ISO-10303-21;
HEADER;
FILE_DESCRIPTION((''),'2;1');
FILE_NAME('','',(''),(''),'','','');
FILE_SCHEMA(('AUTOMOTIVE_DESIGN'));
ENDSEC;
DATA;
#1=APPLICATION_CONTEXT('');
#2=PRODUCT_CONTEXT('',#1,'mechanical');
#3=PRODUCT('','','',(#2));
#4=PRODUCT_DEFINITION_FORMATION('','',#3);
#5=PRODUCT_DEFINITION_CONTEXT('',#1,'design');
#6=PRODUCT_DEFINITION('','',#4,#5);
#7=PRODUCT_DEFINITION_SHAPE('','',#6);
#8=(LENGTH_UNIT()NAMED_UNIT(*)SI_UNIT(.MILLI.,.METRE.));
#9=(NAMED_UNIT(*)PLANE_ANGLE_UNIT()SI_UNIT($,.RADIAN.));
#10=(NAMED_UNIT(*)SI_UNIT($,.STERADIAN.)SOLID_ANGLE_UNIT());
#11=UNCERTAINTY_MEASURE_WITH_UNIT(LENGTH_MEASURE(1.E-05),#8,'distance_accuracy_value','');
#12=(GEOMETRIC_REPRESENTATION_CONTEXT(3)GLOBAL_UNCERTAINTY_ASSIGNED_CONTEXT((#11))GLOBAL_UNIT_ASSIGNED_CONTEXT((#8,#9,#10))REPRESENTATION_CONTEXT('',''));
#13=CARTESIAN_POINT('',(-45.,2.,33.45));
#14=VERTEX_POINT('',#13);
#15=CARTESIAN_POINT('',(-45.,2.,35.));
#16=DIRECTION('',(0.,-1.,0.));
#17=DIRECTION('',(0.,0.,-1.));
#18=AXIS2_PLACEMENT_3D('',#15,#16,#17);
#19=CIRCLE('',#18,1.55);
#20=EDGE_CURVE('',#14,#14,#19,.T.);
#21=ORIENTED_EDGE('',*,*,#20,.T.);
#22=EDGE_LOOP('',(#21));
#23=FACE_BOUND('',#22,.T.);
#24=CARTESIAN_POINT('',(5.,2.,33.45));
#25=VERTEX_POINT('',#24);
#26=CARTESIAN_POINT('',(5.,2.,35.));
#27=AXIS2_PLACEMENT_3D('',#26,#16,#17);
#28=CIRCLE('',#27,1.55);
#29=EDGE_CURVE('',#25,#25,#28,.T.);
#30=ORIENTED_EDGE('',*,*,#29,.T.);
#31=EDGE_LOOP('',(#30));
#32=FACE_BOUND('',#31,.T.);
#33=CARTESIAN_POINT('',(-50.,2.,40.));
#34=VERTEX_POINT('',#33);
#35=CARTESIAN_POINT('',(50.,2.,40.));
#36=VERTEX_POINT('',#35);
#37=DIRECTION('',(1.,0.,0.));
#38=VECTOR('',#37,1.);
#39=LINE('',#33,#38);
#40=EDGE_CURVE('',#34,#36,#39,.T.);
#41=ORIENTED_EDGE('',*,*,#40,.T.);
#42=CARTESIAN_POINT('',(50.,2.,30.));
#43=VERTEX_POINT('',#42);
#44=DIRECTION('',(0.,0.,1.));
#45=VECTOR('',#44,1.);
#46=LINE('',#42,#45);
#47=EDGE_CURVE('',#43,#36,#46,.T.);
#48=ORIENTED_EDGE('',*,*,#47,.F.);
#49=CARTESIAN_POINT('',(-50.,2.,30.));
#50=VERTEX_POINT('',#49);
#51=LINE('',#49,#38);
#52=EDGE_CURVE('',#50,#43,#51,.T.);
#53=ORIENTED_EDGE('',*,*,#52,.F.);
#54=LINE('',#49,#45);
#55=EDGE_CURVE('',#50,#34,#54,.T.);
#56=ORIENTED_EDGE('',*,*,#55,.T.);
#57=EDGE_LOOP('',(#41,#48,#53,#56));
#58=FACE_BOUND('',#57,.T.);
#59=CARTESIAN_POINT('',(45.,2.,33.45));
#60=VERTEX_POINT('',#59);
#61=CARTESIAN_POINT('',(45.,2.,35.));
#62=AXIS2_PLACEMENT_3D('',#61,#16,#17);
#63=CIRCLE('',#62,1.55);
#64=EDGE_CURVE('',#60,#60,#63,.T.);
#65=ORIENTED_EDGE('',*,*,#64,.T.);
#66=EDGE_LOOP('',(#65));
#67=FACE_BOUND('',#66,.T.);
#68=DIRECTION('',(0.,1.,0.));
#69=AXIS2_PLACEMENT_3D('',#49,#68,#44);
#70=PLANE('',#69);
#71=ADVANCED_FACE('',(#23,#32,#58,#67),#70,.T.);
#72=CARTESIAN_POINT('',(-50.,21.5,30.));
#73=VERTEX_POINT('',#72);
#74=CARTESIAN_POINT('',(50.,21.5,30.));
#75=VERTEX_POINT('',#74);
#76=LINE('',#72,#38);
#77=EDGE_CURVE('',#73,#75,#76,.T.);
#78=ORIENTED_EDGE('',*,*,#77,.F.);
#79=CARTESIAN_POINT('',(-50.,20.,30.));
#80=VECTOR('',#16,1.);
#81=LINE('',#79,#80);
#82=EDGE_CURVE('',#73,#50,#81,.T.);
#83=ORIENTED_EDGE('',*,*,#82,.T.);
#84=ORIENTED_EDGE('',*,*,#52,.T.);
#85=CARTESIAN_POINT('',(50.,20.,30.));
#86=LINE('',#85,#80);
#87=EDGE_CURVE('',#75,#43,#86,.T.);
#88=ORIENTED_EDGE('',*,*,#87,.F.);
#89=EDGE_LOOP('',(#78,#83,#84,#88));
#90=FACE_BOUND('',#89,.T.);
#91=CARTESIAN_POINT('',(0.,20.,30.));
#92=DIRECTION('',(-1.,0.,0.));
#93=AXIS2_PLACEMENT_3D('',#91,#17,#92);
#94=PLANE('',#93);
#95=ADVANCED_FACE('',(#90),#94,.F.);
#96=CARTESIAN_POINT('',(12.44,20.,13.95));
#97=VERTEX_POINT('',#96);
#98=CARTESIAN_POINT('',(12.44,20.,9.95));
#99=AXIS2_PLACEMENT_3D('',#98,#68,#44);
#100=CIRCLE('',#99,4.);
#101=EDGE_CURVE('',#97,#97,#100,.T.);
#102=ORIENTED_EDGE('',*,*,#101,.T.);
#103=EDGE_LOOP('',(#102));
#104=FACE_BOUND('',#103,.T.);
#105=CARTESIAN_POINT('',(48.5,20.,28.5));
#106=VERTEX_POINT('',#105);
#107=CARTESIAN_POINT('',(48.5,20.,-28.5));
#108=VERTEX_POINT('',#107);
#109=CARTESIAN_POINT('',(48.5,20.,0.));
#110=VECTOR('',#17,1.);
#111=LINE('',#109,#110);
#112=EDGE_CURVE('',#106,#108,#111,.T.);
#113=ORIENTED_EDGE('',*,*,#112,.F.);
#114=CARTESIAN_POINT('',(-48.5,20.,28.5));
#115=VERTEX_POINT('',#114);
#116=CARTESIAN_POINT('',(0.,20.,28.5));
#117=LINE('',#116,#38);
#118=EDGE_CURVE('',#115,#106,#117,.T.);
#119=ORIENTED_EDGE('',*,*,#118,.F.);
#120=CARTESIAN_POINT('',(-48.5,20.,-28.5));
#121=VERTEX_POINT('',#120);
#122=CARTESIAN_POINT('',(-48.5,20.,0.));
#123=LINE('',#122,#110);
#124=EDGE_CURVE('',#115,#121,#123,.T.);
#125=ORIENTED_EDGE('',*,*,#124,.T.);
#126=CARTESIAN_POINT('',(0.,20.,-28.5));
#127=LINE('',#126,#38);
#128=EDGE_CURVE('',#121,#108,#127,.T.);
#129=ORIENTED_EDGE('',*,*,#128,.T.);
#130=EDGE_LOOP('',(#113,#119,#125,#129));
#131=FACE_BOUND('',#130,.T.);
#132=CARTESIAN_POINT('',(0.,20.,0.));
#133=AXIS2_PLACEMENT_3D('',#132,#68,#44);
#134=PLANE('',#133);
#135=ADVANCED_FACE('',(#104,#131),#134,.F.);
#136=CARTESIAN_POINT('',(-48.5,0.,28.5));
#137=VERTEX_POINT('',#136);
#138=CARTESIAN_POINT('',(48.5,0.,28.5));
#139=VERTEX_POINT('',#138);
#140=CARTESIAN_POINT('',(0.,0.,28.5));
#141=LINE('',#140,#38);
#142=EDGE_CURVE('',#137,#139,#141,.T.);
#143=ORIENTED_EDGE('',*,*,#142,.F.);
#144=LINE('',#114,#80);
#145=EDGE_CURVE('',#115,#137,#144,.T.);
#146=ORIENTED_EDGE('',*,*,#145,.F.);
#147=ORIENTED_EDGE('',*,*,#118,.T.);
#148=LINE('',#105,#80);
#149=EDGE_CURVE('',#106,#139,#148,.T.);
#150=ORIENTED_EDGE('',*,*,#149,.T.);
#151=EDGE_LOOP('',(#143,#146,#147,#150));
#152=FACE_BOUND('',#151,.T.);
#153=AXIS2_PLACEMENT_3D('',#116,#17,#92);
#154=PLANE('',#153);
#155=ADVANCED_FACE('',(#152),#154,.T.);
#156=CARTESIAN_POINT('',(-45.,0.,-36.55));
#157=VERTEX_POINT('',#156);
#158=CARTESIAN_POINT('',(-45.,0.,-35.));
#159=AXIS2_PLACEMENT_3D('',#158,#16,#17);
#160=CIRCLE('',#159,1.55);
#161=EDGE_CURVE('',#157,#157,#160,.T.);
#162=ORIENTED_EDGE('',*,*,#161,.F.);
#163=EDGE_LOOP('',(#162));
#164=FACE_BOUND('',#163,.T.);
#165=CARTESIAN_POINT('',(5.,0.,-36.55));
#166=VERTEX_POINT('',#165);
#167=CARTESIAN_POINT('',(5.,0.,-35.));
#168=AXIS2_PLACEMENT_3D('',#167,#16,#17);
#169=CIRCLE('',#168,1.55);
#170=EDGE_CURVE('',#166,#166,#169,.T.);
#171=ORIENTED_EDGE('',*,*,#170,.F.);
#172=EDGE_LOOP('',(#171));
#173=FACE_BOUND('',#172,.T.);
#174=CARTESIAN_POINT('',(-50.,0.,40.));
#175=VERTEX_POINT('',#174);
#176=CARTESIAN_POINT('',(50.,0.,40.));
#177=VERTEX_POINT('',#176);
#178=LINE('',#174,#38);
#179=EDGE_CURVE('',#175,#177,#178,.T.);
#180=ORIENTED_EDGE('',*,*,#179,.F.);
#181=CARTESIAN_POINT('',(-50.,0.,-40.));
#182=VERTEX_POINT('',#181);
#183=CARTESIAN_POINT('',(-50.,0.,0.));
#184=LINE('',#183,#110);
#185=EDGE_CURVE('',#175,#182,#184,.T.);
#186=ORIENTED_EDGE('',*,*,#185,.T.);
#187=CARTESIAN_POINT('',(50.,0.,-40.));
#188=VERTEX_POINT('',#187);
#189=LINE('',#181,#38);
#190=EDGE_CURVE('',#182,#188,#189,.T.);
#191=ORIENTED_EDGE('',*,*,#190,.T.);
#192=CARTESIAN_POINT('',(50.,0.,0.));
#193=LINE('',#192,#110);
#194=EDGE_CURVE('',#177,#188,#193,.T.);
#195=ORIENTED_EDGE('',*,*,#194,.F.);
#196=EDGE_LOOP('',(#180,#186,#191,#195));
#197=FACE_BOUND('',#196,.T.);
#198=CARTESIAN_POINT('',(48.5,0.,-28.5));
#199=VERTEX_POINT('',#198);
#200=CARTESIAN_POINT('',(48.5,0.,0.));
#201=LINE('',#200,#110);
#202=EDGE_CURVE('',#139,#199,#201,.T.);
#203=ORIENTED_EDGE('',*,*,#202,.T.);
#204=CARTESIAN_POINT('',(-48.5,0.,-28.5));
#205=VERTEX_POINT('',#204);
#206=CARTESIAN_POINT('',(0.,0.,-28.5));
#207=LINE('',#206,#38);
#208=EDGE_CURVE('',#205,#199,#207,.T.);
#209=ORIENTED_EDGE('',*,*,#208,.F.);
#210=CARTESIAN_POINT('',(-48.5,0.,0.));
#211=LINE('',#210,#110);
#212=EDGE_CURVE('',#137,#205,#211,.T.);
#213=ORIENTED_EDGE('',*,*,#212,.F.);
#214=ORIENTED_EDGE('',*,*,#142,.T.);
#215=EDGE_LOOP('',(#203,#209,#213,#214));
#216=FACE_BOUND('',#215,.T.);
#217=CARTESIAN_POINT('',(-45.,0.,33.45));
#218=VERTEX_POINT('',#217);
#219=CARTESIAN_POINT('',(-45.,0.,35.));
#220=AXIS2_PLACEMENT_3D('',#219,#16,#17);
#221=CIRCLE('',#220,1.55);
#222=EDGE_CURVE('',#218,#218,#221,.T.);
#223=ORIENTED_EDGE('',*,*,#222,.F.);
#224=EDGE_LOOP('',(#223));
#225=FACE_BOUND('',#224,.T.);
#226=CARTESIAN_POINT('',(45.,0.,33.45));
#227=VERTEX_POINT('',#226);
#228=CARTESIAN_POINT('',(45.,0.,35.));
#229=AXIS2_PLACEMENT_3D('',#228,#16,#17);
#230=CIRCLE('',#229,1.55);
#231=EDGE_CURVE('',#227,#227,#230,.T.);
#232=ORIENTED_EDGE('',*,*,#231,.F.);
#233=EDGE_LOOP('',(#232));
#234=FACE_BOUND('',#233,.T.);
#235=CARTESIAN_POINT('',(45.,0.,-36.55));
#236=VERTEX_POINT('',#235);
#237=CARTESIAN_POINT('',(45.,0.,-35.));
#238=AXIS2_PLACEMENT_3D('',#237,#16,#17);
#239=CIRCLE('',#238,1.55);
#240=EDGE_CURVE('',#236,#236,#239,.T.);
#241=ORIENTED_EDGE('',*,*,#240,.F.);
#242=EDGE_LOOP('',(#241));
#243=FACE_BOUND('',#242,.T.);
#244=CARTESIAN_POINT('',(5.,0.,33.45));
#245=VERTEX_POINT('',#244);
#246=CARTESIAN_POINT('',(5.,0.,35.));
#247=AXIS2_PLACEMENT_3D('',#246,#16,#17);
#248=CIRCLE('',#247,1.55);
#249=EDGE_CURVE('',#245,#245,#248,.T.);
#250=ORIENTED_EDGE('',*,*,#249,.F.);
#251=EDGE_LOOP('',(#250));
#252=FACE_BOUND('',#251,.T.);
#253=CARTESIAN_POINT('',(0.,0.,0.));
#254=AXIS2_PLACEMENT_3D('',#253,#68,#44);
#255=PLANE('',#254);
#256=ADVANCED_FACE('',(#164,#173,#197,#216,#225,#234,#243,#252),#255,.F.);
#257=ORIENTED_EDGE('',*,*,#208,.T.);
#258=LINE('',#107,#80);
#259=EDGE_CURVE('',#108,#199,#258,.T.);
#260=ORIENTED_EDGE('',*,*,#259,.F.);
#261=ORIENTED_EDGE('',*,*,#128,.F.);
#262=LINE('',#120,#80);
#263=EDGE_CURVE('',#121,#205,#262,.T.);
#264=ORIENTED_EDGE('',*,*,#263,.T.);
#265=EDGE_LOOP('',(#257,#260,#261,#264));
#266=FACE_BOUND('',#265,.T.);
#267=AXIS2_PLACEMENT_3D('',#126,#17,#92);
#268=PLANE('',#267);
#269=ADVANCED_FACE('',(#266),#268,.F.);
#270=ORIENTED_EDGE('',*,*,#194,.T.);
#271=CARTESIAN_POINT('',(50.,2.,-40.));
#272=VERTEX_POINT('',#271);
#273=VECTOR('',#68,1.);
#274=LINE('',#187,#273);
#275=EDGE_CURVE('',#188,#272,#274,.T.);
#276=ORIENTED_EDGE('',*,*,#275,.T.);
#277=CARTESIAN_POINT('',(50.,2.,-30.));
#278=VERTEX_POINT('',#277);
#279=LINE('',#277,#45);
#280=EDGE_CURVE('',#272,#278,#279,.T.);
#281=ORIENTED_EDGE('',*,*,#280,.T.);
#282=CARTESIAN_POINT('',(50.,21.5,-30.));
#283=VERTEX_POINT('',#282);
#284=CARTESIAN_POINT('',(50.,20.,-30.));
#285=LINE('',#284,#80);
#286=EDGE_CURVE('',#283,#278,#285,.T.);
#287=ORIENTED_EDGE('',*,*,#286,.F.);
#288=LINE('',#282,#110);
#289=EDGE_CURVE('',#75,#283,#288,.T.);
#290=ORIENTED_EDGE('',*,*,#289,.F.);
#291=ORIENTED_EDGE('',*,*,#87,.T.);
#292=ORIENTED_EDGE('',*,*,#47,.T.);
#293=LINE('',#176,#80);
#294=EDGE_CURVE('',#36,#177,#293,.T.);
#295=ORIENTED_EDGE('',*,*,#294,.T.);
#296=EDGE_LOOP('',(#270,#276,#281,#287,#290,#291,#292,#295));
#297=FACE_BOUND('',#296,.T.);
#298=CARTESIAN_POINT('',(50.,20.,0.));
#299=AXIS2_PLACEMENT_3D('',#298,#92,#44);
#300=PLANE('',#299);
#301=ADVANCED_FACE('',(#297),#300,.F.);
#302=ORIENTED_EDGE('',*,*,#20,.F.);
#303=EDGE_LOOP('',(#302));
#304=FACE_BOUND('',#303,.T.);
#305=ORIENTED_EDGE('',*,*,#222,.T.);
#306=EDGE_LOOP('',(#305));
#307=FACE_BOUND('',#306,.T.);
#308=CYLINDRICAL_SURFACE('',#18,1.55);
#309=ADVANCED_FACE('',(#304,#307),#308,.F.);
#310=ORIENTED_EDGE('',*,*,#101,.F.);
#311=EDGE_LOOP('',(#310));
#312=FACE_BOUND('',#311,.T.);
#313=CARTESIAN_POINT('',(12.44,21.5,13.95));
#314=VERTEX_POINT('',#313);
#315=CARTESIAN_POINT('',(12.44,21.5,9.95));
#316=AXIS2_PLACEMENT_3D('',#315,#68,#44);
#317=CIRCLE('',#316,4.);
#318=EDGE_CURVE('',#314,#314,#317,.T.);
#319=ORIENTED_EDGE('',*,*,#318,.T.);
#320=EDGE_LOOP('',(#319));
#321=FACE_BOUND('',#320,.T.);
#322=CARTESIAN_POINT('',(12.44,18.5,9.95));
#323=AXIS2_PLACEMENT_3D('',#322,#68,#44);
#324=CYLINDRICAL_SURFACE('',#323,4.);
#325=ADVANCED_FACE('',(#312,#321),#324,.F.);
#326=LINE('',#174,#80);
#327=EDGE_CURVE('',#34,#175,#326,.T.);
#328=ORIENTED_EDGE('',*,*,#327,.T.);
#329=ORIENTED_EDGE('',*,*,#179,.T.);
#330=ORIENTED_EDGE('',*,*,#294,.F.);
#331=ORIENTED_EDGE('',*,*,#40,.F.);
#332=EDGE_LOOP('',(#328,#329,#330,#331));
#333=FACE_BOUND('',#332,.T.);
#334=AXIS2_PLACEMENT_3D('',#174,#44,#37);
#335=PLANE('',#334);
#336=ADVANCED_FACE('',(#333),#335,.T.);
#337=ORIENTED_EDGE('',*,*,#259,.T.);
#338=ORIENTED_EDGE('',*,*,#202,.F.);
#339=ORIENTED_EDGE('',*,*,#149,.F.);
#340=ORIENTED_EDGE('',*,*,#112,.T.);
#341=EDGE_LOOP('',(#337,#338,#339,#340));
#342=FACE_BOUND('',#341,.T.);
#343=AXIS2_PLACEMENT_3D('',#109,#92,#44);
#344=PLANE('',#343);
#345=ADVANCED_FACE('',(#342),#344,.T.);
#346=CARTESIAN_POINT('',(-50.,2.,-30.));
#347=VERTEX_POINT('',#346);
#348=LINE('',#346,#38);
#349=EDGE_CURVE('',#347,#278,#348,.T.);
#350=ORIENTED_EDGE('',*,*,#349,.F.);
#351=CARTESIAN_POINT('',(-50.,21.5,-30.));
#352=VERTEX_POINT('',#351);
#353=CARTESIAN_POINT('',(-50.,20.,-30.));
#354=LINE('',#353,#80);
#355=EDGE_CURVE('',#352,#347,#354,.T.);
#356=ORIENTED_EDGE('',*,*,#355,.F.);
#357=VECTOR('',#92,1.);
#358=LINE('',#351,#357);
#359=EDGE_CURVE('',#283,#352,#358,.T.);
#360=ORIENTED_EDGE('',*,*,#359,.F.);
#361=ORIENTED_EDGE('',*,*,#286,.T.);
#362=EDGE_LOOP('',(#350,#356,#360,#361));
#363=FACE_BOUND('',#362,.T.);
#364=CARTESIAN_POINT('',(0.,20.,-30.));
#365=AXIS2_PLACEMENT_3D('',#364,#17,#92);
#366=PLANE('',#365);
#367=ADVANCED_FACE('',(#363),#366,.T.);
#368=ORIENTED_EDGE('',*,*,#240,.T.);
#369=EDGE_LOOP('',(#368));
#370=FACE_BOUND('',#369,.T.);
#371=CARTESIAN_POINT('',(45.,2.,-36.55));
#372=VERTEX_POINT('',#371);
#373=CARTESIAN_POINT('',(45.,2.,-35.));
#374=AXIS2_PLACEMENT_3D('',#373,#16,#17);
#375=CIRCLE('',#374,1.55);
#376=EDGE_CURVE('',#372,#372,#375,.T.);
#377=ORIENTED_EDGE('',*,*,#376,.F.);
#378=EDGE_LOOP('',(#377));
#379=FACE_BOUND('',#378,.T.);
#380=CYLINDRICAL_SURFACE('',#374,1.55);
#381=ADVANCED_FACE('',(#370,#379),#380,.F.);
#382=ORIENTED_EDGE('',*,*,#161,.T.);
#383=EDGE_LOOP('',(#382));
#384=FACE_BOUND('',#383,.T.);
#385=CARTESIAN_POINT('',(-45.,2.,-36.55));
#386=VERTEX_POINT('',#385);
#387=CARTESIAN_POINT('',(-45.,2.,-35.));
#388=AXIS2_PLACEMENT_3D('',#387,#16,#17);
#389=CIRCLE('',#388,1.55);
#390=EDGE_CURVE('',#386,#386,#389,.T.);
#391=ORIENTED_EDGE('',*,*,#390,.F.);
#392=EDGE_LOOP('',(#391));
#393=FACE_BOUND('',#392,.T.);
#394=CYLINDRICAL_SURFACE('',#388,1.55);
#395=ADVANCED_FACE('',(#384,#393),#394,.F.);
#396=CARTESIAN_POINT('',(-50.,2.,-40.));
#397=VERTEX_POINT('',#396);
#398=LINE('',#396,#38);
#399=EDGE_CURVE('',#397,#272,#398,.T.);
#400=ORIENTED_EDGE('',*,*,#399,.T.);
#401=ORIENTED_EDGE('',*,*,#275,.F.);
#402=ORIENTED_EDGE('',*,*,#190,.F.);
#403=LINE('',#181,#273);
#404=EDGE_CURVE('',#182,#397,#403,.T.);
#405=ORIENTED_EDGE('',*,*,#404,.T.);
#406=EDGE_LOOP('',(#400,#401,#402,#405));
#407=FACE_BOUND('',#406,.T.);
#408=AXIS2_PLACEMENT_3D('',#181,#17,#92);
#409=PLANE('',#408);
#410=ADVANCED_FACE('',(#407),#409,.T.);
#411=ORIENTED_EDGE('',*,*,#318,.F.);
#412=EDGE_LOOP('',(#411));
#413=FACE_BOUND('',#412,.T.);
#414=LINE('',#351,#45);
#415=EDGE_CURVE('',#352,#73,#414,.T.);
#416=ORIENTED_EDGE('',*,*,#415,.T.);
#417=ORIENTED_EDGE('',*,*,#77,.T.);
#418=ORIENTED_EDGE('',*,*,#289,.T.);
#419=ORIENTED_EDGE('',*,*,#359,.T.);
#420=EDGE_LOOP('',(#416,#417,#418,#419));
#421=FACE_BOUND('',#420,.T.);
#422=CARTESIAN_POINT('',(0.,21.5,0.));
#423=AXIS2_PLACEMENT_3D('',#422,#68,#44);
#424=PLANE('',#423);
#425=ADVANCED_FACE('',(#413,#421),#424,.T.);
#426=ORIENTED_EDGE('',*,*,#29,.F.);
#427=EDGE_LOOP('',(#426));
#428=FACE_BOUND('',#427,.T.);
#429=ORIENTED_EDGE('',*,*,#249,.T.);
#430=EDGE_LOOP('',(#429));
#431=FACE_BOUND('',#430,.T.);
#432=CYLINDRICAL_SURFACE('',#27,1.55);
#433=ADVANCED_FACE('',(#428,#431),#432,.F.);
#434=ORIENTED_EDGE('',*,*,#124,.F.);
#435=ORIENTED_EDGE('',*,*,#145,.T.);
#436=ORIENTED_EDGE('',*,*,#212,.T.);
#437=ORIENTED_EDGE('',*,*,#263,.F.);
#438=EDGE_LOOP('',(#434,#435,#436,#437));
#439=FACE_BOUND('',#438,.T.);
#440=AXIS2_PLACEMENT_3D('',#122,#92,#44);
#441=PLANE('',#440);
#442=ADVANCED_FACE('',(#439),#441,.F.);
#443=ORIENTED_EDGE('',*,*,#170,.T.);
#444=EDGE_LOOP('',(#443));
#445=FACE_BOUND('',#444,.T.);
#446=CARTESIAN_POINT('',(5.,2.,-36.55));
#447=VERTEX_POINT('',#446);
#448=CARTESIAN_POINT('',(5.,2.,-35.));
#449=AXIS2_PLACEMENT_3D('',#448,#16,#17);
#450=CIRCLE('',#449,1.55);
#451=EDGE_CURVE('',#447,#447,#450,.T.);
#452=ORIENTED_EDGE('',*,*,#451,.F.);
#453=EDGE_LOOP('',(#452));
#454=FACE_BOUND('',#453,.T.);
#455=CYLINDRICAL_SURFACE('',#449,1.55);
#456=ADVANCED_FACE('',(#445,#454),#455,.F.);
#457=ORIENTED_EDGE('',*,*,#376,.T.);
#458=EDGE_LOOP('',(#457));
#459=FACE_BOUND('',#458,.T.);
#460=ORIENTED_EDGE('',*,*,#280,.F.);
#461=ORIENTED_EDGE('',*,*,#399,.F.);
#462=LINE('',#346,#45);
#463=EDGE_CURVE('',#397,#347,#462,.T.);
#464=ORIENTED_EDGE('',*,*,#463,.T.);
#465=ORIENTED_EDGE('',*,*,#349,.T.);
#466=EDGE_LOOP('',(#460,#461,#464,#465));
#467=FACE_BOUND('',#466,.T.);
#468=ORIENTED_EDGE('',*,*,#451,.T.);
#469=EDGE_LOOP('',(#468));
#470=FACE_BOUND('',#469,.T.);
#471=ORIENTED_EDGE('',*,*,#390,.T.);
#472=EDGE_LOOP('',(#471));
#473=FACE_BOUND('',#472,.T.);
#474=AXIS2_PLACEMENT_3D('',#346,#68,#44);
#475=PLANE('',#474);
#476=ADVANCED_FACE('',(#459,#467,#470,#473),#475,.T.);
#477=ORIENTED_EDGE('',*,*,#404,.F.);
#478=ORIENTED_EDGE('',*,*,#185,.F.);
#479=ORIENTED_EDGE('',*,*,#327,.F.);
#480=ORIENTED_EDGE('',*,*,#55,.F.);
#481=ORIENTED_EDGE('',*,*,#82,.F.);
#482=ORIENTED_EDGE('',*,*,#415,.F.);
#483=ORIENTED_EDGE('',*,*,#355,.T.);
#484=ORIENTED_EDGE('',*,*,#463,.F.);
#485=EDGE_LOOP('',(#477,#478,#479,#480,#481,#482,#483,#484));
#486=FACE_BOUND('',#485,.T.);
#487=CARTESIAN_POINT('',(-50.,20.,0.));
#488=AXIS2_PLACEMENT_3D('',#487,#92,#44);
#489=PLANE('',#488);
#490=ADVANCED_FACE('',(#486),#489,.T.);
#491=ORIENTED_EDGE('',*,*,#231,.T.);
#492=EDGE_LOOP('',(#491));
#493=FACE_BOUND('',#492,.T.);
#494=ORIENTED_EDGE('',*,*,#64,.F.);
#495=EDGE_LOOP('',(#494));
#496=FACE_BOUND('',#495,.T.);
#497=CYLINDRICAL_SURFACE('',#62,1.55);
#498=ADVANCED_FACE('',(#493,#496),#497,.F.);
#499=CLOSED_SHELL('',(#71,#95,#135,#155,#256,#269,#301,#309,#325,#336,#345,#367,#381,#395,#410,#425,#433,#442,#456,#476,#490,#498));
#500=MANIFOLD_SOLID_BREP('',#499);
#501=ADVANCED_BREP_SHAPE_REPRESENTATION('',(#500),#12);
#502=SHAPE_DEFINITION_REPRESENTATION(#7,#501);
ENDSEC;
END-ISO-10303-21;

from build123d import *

# Parameters (mm, degrees)
SKETCH1_W           = 100
SKETCH1_H           = 60
SKETCH1_W_2         = 97
SKETCH1_H_2         = 57
BOSS_EXTRUDE1_DEPTH = 20
SKETCH2_W           = 100
SKETCH2_H           = 60
BOSS_EXTRUDE2_DEPTH = 1.5
SKETCH3_W           = 10
SKETCH3_H           = 2
BOSS_EXTRUDE3_DEPTH = 100
SKETCH4_R           = 1.55
CUT_EXTRUDE1_DEPTH  = 2
SKETCH5_R           = 4
CUT_EXTRUDE2_DEPTH  = 3


with BuildPart() as part:
    # Sketch1 → Boss-Extrude1 (new body)
    with BuildSketch(Plane(origin=(0, 0, 0), x_dir=(1, 0, 0), z_dir=(0, 1, 0))):
        Rectangle(SKETCH1_W, SKETCH1_H)
        Rectangle(SKETCH1_W_2, SKETCH1_H_2, mode=Mode.SUBTRACT)
    extrude(amount=BOSS_EXTRUDE1_DEPTH)

    # Sketch2 → Boss-Extrude2 (add)
    with BuildSketch(Plane(origin=(0, 20, 0), x_dir=(1, 0, 0), z_dir=(0, 1, 0))):
        Rectangle(SKETCH2_W, SKETCH2_H)
    extrude(amount=BOSS_EXTRUDE2_DEPTH)

    # Sketch3 → Boss-Extrude3 (add)
    with BuildSketch(Plane(origin=(50, 0, 0), x_dir=(0, 0, -1), z_dir=(1, 0, 0))):
        with Locations((-35, 1)):
            Rectangle(SKETCH3_W, SKETCH3_H)
        with Locations((35, 1)):
            Rectangle(SKETCH3_W, SKETCH3_H)
    extrude(amount=-BOSS_EXTRUDE3_DEPTH)

    # Sketch4 → Cut-Extrude1 (cut)
    with BuildSketch(Plane.XZ):
        with Locations(Location((-45, 35, 0), (0, 0, 270))):
            Circle(SKETCH4_R)
        with Locations(Location((45, 35, 0), (0, 0, 270))):
            Circle(SKETCH4_R)
        with Locations(Location((45, -35, 0), (0, 0, 270))):
            Circle(SKETCH4_R)
        with Locations(Location((-45, -35, 0), (0, 0, 270))):
            Circle(SKETCH4_R)
        with Locations(Location((5, 35, 0), (0, 0, 270))):
            Circle(SKETCH4_R)
        with Locations(Location((5, -35, 0), (0, 0, 270))):
            Circle(SKETCH4_R)
    extrude(amount=-CUT_EXTRUDE1_DEPTH, mode=Mode.SUBTRACT)

    # Sketch5 → Cut-Extrude2 (cut)
    with BuildSketch(Plane(origin=(0, 21.5, 0), x_dir=(1, 0, 0), z_dir=(0, 1, 0))):
        with Locations(Location((12.44, -9.95, 0), (0, 0, 270))):
            Circle(SKETCH5_R)
    extrude(amount=-CUT_EXTRUDE2_DEPTH, mode=Mode.SUBTRACT)


solid = part.part
